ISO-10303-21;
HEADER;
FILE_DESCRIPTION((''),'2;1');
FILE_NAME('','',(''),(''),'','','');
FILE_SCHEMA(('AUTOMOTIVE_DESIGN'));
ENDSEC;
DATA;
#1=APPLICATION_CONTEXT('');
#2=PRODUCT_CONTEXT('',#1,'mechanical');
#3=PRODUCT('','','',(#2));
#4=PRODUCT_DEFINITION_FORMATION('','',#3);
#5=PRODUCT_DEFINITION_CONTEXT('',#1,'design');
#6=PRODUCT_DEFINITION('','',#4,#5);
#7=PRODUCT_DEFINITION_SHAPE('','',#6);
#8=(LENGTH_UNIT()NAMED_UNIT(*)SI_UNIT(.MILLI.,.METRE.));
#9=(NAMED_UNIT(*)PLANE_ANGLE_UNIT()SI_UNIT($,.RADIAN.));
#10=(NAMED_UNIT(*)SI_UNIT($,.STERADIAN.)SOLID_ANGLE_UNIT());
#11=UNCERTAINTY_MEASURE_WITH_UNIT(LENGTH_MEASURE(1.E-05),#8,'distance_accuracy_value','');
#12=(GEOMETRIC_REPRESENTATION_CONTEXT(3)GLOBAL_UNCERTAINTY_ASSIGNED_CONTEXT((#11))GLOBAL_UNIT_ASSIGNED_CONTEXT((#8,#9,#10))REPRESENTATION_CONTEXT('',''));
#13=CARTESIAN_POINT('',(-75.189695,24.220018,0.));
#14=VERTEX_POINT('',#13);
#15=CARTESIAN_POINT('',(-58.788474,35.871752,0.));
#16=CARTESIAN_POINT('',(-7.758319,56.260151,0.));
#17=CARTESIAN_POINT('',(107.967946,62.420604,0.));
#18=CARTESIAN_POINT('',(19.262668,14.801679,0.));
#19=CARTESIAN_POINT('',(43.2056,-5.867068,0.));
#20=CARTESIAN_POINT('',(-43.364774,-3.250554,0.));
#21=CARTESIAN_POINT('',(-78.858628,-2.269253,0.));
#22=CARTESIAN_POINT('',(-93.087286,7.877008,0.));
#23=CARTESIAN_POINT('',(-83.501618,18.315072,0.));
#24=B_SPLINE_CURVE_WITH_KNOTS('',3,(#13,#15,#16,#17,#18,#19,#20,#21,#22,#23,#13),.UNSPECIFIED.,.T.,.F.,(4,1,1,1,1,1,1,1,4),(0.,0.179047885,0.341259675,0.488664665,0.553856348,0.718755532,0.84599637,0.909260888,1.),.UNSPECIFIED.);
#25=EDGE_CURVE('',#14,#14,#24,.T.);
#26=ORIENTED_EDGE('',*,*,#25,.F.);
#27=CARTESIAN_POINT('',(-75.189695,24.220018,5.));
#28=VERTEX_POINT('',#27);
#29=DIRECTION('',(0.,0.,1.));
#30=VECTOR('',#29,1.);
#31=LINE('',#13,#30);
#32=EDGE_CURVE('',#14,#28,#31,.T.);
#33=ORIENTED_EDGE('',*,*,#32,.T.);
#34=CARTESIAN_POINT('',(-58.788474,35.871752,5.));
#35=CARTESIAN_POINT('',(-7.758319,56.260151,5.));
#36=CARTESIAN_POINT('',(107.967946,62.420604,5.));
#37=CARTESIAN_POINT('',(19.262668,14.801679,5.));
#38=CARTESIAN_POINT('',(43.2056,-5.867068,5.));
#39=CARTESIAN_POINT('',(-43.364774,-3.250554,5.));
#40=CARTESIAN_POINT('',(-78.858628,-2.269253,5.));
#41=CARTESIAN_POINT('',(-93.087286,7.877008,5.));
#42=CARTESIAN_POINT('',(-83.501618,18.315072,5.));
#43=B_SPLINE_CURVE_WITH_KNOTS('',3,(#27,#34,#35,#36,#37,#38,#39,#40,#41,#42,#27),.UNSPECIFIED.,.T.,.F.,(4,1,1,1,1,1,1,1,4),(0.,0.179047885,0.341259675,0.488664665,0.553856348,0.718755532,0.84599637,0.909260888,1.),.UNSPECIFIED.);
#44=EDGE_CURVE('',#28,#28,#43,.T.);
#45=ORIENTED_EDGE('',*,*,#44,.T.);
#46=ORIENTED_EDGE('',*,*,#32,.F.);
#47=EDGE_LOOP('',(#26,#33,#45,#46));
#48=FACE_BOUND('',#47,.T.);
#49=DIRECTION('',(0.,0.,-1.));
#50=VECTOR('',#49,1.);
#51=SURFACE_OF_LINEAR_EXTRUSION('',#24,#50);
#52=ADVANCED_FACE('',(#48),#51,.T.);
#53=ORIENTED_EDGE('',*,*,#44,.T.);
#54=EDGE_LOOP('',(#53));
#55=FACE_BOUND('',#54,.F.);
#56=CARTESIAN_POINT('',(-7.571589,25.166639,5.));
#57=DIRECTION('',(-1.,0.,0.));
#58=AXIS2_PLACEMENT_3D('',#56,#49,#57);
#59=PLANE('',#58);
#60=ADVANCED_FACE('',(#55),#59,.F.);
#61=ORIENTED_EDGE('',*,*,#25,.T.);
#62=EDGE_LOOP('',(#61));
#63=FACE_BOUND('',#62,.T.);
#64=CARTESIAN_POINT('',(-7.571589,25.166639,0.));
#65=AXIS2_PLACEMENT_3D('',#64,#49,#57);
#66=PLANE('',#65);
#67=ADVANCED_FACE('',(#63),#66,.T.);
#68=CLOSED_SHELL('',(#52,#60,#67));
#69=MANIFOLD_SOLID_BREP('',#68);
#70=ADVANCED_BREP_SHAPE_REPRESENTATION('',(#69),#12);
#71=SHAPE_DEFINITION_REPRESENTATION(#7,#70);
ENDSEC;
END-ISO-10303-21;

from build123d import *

# Parameters (mm, degrees)
F1_DEPTH = 5


with BuildPart() as f1:
    # F0 (on Top) → F1 (new body)
    with BuildSketch(Plane.XY):
        with BuildLine():
            add(Edge.make_bspline(
                [(-75.1896947622, 24.2200177163), (-58.7884735583, 35.8717523796), (-7.7583187937, 56.2601514091), (107.9679455248, 62.4206043063), (19.2626675661, 14.8016794078), (43.20559999, -5.867067829), (-43.3647735066, -3.2505542114), (-78.8586275975, -2.2692531934), (-93.0872856416, 7.8770076216), (-83.5016178516, 18.3150719092), (-75.1896947622, 24.2200177163)],
                knots=[0, 0, 0, 0, 0.1790478853, 0.3412596748, 0.4886646654, 0.553856348, 0.7187555316, 0.8459963697, 0.9092608877, 1, 1, 1, 1], degree=3))
        make_face()
    extrude(amount=F1_DEPTH)


solid = f1.part
